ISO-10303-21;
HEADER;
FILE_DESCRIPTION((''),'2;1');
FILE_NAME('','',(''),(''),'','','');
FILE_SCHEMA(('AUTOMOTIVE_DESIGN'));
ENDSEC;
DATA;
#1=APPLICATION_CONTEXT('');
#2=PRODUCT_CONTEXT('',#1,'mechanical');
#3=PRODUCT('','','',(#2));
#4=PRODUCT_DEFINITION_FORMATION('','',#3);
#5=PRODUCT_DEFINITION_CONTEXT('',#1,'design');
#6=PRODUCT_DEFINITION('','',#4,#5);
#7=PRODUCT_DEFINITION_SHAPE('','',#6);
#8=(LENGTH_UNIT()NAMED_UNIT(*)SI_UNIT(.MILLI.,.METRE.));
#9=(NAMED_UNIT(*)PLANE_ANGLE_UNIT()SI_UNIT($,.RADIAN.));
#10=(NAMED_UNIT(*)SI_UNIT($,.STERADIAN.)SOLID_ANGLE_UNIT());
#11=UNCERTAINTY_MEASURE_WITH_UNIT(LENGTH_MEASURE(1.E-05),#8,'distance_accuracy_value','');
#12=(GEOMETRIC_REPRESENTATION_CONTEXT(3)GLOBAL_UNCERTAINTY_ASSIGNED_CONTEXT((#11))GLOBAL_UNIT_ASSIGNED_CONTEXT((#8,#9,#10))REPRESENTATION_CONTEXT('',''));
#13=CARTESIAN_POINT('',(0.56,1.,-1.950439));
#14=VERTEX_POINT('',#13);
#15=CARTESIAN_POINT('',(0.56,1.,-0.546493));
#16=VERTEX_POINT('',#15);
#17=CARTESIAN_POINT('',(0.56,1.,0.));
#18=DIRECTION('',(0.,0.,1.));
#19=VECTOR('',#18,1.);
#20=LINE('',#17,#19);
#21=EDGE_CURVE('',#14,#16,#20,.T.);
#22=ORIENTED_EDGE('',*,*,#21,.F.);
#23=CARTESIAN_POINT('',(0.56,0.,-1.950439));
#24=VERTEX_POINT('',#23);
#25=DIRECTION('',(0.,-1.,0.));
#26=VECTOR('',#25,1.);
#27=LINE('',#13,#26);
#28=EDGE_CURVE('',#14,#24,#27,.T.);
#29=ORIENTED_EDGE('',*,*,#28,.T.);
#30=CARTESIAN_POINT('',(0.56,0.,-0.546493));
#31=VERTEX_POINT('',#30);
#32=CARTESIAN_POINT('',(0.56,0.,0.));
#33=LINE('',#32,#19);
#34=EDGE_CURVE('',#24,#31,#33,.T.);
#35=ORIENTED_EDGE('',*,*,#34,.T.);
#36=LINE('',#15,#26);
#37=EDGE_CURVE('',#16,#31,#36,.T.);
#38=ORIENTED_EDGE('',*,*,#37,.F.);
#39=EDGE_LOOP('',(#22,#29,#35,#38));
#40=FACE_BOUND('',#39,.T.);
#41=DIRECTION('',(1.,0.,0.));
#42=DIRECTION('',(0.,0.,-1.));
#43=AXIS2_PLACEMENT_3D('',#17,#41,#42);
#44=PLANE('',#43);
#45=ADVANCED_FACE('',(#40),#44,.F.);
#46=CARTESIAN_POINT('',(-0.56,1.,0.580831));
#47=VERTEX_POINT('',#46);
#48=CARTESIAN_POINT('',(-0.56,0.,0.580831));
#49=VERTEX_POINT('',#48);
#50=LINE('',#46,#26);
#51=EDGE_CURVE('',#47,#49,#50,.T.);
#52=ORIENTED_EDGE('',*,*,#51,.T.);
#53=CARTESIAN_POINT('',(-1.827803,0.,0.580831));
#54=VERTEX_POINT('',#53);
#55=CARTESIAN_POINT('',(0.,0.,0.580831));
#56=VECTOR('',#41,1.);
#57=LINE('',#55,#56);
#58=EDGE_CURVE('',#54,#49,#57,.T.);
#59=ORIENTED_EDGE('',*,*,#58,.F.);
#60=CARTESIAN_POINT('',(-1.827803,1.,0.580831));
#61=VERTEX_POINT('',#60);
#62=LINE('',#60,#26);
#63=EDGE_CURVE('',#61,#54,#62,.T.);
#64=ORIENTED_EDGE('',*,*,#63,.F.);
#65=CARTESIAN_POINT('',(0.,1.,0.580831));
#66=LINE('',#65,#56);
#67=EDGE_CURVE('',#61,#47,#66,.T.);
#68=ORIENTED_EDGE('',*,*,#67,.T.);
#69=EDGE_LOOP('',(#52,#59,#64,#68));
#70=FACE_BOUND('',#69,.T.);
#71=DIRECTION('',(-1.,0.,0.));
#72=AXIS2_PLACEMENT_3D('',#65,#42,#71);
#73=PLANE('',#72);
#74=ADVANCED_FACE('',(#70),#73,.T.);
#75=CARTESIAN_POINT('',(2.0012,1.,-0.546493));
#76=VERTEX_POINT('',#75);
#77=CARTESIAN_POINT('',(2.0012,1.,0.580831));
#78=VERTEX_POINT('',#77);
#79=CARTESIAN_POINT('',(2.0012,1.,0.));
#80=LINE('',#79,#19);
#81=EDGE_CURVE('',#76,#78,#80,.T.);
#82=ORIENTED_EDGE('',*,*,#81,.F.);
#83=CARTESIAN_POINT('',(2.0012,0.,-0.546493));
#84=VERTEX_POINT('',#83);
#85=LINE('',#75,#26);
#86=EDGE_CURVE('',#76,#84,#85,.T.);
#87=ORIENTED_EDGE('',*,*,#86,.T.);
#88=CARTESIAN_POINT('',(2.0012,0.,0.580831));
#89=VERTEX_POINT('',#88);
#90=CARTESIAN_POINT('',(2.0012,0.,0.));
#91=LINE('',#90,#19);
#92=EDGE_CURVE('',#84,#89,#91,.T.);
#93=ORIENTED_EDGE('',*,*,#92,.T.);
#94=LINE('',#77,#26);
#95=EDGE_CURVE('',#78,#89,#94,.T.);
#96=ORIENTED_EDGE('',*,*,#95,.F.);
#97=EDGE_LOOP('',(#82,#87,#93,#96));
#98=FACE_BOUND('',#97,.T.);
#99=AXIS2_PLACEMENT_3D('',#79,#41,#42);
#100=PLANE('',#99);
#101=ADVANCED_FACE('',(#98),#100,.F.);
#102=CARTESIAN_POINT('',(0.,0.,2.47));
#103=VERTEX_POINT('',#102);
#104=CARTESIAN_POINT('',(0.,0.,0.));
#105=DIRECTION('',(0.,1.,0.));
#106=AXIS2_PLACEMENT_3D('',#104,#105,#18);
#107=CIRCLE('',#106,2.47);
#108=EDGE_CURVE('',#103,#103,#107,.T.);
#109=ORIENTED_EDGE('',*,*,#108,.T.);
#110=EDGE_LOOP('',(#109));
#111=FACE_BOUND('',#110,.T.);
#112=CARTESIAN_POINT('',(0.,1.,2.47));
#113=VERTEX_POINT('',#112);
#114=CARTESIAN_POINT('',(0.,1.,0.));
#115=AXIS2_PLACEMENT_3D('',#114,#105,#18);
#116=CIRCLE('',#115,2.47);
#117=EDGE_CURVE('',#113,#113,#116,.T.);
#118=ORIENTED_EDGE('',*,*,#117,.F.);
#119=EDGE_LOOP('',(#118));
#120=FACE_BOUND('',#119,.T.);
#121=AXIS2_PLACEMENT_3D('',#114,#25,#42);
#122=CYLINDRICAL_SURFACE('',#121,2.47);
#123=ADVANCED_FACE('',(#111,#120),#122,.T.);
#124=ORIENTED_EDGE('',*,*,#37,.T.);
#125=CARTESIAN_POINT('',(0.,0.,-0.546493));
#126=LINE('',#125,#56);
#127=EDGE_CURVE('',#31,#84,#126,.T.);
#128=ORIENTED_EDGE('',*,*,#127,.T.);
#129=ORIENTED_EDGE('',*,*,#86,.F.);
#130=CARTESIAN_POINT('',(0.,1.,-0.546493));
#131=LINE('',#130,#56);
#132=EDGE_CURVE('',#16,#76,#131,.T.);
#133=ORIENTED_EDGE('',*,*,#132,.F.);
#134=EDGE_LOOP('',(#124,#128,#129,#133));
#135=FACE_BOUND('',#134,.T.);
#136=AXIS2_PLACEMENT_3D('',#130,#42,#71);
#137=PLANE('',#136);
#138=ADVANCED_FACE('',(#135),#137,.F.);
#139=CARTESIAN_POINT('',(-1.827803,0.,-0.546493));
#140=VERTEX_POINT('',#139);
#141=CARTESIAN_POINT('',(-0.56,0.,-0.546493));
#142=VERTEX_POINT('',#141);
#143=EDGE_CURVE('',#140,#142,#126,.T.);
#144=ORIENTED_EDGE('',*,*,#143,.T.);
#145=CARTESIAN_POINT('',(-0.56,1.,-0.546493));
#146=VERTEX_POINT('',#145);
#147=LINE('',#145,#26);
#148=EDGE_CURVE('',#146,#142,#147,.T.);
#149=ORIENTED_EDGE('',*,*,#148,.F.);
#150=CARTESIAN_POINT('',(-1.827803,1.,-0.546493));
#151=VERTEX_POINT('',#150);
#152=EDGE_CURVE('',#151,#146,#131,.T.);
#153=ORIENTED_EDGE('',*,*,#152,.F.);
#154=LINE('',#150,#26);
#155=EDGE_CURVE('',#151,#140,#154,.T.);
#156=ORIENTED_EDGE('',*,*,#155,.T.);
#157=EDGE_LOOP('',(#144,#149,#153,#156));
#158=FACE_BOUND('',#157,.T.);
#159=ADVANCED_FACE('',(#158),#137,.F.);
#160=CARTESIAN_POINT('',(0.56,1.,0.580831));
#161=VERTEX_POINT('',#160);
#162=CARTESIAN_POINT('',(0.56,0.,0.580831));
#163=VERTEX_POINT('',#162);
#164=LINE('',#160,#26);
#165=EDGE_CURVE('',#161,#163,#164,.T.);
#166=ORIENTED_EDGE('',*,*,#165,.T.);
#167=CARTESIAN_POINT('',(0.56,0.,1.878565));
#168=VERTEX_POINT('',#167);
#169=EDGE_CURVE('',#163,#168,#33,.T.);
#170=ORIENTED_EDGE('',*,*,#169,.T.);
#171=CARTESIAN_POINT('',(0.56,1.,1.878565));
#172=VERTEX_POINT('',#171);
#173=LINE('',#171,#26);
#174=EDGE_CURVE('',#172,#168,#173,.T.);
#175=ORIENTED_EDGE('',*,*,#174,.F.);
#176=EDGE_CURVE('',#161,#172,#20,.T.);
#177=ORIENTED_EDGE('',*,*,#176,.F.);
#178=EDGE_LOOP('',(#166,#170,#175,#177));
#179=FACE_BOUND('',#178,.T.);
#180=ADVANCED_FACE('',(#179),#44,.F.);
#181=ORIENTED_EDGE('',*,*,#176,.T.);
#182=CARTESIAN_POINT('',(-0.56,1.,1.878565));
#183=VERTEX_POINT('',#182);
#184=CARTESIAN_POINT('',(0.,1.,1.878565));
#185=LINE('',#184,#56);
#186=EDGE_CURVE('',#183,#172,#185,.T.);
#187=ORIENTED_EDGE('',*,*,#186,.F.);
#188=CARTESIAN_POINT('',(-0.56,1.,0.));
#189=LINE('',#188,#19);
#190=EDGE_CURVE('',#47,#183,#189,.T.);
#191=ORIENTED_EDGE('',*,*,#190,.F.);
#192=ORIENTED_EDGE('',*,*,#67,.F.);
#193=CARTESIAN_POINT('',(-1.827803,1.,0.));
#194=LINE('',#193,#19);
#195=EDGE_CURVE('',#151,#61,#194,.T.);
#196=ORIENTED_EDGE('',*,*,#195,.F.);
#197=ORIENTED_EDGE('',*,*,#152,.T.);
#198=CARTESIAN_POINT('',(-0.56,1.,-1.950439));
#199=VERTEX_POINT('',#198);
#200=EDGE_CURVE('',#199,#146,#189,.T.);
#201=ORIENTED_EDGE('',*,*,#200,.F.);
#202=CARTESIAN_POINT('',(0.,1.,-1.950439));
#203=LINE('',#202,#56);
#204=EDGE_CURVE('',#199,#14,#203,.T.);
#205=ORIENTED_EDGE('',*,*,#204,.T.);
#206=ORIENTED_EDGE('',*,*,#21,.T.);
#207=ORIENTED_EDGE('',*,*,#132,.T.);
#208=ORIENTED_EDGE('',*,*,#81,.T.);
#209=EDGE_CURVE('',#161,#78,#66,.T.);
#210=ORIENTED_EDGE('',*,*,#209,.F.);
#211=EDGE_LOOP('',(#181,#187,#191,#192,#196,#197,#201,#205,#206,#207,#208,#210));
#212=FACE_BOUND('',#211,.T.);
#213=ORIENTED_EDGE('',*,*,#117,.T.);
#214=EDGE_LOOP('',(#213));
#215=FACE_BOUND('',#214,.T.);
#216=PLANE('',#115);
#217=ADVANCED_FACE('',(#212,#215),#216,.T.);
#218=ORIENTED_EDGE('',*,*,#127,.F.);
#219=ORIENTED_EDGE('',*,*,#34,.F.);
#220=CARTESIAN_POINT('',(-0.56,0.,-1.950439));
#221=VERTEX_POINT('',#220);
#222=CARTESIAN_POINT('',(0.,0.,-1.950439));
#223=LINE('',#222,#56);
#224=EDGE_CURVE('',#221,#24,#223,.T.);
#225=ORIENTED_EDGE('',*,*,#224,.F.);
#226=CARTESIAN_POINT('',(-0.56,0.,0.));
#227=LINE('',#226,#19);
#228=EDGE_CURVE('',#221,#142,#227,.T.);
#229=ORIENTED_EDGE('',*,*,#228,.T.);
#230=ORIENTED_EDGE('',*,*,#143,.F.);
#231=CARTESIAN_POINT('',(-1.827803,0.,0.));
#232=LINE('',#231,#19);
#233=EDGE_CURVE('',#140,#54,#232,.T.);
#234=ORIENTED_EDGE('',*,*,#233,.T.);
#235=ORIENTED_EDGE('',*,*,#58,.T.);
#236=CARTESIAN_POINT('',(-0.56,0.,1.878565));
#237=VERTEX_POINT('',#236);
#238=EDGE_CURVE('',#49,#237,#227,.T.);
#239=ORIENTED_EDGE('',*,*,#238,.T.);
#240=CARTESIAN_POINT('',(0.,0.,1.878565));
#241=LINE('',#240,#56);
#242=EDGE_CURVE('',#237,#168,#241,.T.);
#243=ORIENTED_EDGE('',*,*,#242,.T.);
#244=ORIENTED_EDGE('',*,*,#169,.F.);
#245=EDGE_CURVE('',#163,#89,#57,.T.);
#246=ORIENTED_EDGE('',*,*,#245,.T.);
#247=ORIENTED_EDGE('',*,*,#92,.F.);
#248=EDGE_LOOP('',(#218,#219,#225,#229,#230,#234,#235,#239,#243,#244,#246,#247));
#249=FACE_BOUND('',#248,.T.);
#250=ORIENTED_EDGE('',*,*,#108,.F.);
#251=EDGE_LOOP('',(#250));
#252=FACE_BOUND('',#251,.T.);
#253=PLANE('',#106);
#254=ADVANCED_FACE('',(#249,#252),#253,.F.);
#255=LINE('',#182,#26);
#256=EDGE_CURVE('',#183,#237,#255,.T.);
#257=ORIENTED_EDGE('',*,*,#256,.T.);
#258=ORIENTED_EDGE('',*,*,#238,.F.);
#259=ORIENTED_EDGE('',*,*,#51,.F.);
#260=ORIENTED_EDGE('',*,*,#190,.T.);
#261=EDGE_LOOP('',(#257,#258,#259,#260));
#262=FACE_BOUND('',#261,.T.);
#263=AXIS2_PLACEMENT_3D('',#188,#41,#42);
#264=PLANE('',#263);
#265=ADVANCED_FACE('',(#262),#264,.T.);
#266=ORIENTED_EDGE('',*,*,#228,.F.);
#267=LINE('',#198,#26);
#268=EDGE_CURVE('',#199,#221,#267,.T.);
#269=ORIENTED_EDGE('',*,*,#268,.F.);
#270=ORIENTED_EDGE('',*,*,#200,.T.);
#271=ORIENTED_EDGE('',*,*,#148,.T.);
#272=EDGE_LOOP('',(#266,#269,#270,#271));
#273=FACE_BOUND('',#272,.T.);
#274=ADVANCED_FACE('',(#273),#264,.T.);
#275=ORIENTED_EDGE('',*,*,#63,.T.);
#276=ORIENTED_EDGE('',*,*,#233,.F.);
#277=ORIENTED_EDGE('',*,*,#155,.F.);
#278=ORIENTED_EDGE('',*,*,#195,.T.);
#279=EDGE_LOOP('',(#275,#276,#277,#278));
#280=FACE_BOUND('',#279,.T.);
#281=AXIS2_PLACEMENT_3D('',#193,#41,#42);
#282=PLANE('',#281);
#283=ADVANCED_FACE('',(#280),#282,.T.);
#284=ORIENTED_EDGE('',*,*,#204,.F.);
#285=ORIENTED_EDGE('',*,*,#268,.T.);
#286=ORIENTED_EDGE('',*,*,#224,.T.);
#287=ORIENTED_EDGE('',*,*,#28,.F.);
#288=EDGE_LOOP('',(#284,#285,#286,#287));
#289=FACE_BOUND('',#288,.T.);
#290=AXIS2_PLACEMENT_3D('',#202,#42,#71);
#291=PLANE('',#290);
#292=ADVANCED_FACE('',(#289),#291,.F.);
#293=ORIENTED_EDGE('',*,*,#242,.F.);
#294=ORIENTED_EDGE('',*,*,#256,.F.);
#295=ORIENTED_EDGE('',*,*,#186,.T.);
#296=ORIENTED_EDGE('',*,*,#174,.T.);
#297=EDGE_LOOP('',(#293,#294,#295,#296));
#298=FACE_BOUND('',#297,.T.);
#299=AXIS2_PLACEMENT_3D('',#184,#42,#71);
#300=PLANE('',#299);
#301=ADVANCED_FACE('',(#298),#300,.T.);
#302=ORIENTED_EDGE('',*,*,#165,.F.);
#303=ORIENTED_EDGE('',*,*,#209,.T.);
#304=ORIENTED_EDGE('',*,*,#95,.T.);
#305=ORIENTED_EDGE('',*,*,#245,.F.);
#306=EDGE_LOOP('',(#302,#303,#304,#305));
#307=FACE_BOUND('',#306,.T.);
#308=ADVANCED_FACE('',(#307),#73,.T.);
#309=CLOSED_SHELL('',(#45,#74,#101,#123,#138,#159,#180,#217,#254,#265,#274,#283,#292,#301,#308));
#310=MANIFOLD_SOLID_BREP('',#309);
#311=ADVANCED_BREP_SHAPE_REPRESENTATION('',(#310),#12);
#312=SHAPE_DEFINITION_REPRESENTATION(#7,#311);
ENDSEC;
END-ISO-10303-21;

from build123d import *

# Parameters (mm, degrees)
SKETCH1_R           = 2.47
BOSS_EXTRUDE1_DEPTH = 1


with BuildPart() as part:
    # Sketch1 → Boss-Extrude1 (new body)
    with BuildSketch(Plane(origin=(0, 0, 0), x_dir=(1, 0, 0), z_dir=(0, 1, 0))):
        Circle(SKETCH1_R)
        Polygon((-1.827803458, -0.580830581), (-1.827803458, 0.546492653), (-0.56, 0.546492653), (-0.56, 1.950438827), (0.56, 1.950438827), (0.56, 0.546492653), (2.001200092, 0.546492653), (2.001200092, -0.580830581), (0.56, -0.580830581), (0.56, -1.878564728), (-0.56, -1.878564728), (-0.56, -0.580830581), align=None, mode=Mode.SUBTRACT)
    extrude(amount=BOSS_EXTRUDE1_DEPTH)


solid = part.part
